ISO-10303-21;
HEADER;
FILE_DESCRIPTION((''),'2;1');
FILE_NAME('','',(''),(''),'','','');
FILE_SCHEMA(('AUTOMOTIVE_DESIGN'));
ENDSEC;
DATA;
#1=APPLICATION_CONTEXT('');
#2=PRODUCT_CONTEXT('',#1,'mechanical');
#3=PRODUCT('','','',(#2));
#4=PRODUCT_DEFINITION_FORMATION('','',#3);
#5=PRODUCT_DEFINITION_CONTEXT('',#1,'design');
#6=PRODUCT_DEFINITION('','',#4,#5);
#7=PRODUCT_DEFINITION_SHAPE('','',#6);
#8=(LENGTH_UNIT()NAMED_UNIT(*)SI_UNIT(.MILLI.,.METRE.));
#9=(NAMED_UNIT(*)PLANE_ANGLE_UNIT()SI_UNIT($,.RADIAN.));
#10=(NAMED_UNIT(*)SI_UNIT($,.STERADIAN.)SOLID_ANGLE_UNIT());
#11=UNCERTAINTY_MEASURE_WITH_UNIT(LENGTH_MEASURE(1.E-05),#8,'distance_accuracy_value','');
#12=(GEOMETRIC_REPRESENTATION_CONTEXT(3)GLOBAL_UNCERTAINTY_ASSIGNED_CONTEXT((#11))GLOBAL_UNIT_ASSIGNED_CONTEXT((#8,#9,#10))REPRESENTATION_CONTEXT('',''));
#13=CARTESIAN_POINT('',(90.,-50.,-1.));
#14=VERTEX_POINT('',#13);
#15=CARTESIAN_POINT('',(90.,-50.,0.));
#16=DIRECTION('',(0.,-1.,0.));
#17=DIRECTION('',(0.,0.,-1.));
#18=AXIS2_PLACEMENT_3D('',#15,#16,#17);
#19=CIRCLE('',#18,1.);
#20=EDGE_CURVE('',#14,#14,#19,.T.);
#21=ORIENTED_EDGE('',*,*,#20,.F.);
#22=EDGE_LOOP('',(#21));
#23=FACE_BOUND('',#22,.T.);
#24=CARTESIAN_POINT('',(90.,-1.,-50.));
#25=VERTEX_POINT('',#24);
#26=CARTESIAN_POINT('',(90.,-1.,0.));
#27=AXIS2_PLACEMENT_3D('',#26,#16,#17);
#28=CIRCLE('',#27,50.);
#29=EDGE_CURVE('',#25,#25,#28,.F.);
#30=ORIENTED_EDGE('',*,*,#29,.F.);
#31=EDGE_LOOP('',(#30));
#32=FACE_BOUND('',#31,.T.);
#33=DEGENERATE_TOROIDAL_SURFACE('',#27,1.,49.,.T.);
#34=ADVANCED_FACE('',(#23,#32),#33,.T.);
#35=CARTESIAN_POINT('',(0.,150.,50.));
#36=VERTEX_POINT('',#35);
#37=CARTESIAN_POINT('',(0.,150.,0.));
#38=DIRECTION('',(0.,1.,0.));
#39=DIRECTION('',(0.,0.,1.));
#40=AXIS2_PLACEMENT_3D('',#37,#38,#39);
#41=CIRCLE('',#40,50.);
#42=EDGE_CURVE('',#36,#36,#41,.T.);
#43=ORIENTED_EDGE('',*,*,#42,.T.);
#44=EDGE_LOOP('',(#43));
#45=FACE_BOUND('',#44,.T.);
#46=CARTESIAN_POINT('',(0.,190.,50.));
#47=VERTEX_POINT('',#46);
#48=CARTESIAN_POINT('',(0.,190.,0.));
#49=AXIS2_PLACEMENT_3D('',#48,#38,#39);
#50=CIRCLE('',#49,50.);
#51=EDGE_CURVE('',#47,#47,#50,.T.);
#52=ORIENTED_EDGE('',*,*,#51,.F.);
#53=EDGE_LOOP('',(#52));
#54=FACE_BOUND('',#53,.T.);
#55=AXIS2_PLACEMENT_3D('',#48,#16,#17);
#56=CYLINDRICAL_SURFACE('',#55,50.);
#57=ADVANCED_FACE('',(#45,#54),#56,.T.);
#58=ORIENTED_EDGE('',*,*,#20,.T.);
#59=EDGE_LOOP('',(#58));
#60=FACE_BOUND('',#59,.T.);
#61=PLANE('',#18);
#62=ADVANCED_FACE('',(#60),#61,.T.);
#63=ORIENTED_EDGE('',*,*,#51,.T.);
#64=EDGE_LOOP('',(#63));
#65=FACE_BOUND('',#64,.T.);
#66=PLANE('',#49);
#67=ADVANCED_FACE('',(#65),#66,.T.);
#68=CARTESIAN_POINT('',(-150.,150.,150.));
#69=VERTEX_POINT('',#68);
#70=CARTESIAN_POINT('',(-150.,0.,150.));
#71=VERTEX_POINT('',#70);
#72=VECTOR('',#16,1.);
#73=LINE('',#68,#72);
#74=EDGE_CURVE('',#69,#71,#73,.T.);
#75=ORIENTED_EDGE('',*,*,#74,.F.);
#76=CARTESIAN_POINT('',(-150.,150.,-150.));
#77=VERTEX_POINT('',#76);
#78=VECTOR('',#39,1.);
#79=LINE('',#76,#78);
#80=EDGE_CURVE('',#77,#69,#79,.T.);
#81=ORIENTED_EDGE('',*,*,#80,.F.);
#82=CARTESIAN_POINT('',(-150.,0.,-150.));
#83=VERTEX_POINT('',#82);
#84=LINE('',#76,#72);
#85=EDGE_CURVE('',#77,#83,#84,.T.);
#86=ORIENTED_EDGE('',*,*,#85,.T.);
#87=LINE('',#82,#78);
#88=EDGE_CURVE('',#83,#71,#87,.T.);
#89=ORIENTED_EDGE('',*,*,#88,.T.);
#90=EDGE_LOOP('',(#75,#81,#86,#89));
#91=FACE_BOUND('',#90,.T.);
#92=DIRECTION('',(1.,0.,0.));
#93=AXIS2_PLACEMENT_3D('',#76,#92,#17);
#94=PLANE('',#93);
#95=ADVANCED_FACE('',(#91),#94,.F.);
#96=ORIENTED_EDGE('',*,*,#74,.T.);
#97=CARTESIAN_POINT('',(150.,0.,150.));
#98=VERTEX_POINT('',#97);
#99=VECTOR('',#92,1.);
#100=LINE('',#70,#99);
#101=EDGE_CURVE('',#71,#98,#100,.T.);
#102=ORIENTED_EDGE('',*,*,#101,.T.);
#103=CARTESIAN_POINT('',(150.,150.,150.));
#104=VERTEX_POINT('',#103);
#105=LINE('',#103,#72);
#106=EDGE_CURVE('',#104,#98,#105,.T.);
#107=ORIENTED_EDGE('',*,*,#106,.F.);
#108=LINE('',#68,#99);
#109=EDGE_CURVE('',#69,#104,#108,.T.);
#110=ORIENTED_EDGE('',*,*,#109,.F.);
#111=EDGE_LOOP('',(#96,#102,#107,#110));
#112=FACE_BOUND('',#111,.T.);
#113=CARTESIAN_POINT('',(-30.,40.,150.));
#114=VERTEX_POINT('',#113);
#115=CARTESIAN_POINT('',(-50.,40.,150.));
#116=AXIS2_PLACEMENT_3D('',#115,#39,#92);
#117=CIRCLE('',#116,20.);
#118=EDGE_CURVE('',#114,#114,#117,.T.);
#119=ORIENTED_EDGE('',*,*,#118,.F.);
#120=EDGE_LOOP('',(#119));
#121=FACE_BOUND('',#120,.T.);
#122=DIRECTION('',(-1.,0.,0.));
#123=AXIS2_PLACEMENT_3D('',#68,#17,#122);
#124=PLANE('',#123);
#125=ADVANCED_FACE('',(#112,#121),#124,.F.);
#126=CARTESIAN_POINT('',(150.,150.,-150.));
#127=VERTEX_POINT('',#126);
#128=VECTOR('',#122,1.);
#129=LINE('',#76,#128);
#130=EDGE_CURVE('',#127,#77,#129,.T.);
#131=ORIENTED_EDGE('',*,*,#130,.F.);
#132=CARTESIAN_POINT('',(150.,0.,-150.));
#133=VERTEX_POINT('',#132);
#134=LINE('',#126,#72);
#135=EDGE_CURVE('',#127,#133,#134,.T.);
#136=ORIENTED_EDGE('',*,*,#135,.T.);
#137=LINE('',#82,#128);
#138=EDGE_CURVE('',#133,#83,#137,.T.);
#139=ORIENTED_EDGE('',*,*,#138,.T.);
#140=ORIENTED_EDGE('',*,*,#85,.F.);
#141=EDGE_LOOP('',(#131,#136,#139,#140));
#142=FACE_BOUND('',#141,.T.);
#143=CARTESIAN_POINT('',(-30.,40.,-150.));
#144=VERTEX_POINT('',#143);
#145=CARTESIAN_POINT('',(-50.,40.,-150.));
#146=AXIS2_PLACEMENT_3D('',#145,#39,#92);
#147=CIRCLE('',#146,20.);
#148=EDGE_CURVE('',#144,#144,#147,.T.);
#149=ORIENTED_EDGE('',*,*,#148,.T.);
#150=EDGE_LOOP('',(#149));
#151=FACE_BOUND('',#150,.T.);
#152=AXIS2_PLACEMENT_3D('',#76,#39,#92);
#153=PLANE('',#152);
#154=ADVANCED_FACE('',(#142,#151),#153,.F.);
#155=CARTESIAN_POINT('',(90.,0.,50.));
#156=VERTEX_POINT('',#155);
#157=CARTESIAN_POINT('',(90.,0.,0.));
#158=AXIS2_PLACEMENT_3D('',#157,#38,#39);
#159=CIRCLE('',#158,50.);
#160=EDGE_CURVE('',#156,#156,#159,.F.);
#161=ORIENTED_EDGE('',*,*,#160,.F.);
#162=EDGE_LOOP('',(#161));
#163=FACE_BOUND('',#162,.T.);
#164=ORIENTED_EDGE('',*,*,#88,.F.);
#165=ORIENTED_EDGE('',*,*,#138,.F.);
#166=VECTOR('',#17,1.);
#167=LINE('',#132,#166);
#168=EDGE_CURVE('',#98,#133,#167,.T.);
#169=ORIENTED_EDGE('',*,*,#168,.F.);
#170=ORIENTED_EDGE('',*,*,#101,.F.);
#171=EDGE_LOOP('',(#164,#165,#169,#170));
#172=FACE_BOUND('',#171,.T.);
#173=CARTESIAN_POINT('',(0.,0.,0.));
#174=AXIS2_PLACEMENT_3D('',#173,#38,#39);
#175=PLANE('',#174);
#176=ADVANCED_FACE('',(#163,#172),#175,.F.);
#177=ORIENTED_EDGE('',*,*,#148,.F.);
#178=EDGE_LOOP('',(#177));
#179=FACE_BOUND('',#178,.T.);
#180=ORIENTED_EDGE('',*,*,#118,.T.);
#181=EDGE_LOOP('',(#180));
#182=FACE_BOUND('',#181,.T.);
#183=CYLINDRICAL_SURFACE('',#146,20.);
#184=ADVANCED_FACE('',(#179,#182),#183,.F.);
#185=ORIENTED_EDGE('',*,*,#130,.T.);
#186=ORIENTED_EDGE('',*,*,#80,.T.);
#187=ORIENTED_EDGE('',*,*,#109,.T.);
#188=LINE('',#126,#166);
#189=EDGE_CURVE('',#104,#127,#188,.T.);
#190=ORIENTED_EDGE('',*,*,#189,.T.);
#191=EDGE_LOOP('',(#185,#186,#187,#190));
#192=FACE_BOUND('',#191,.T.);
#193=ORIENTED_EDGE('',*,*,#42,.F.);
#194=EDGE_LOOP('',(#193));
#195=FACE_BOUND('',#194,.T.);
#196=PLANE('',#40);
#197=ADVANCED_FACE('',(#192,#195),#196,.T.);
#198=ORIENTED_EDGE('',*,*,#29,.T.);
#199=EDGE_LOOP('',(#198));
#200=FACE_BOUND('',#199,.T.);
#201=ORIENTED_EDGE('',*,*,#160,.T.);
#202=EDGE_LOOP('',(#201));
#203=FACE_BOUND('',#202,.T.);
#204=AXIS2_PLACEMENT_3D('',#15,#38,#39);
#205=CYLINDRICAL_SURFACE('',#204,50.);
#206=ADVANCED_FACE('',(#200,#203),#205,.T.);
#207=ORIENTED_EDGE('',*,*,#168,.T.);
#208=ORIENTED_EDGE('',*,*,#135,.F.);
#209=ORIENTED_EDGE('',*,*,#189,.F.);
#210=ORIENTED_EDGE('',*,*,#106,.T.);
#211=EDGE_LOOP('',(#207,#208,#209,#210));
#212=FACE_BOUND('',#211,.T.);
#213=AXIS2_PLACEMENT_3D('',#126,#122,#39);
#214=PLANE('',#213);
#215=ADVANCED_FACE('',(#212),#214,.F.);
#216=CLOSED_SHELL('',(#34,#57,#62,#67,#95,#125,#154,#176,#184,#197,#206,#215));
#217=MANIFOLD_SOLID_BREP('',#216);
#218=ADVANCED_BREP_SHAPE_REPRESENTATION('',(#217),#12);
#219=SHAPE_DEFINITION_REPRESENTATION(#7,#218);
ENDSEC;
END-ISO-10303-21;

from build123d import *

# Parameters (mm, degrees)
SKETCH2_W           = 300
SKETCH2_H           = 300
BOSS_EXTRUDE1_DEPTH = 150
SKETCH4_R           = 20
CUT_EXTRUDE1_DEPTH  = 368.423461417
SKETCH8_R           = 50
BOSS_EXTRUDE3_DEPTH = 40
SKETCH10_R          = 50
BOSS_EXTRUDE4_DEPTH = 50
FILLET1_R           = 49


with BuildPart() as part:
    # Sketch2 → Boss-Extrude1 (new body)
    with BuildSketch(Plane(origin=(0, 0, 0), x_dir=(1, 0, 0), z_dir=(0, 1, 0))):
        Rectangle(SKETCH2_W, SKETCH2_H)
    extrude(amount=BOSS_EXTRUDE1_DEPTH)

    # Sketch4 → Cut-Extrude1 (cut, through all)
    with BuildSketch(Plane.XY.offset(150)):
        with Locations((-50, 40)):
            Circle(SKETCH4_R)
    extrude(amount=-CUT_EXTRUDE1_DEPTH, mode=Mode.SUBTRACT)

    # Sketch8 → Boss-Extrude3 (add)
    with BuildSketch(Plane(origin=(0, 150, 0), x_dir=(1, 0, 0), z_dir=(0, 1, 0))):
        with Locations(Location((0, 0, 0), (0, 0, 270))):
            Circle(SKETCH8_R)
    extrude(amount=BOSS_EXTRUDE3_DEPTH)

    # Sketch10 → Boss-Extrude4 (add)
    with BuildSketch(Plane(origin=(0, 0, 0), x_dir=(-1, 0, 0), z_dir=(0, -1, 0))):
        with Locations(Location((-90, 0, 0), (0, 0, 270))):
            Circle(SKETCH10_R)
    extrude(amount=BOSS_EXTRUDE4_DEPTH)

    # Fillet1
    fillet1_edges = [part.edges().sort_by_distance(p)[0] for p in [
        (90, -50, -50),
    ]]
    fillet(fillet1_edges, radius=FILLET1_R)


solid = part.part
